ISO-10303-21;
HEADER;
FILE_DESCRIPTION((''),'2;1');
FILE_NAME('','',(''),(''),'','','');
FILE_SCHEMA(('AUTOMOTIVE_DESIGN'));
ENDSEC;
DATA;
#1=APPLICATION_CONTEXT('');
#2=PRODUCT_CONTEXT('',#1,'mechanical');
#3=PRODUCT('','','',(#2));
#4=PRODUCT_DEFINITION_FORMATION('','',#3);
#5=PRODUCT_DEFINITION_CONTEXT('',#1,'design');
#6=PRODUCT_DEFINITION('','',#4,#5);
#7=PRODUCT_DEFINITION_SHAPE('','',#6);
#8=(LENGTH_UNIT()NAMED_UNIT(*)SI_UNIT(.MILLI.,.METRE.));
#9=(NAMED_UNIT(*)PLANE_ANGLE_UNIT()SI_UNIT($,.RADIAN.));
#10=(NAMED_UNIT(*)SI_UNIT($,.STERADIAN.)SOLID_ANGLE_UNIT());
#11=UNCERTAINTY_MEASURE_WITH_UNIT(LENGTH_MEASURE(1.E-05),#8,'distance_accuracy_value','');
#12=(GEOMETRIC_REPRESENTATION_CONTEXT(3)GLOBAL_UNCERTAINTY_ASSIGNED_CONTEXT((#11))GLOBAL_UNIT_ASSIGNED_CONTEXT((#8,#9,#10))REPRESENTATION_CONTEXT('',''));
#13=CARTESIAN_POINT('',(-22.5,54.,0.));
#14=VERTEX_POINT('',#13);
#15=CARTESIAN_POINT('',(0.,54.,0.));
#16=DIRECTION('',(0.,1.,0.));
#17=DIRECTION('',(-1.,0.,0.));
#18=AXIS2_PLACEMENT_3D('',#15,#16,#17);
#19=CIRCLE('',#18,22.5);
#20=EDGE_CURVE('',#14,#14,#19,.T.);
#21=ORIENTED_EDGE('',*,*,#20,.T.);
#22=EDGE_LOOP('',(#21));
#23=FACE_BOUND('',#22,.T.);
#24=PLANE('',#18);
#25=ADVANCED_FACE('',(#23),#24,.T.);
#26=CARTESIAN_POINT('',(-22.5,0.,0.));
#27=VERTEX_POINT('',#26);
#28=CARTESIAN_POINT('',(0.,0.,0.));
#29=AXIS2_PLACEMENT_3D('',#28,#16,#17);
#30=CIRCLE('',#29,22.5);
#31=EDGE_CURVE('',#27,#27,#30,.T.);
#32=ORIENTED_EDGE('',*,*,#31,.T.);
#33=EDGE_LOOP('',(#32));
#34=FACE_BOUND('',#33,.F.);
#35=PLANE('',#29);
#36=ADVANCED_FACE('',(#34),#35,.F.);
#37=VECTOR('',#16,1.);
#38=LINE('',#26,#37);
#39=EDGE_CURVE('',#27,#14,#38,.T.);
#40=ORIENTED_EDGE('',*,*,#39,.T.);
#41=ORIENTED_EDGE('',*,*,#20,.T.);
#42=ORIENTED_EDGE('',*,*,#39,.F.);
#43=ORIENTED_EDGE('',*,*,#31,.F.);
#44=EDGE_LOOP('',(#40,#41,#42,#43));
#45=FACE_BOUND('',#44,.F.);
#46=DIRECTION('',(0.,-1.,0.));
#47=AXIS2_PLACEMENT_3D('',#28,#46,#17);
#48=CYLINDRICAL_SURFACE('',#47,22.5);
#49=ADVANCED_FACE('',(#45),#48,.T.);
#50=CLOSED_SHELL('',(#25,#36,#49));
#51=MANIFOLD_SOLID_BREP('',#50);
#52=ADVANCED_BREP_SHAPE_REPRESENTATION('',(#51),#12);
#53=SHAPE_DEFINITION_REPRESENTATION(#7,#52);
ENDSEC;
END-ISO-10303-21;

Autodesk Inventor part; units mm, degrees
ref_plane "YZ Plane" through (0, 0, 0) normal (1, 0, 0) x (0, 1, 0)
ref_plane "XZ Plane" through (0, 0, 0) normal (0, 1, 0) x (-1, 0, 0)
ref_plane "XY Plane" through (0, 0, 0) normal (0, 0, 1) x (1, 0, 0)
sketch "Sketch1" plane through (0, 0, 0) normal (0, 1, 0) x (-1, 0, 0)
  circle A0 centre (0, 0) radius 22.5
  dimension "d0" = 45
extrude "Extrusion1" add sketch "Sketch1" along normal blind 54
properties part number "wheel" material "Rubber, Silicone"
